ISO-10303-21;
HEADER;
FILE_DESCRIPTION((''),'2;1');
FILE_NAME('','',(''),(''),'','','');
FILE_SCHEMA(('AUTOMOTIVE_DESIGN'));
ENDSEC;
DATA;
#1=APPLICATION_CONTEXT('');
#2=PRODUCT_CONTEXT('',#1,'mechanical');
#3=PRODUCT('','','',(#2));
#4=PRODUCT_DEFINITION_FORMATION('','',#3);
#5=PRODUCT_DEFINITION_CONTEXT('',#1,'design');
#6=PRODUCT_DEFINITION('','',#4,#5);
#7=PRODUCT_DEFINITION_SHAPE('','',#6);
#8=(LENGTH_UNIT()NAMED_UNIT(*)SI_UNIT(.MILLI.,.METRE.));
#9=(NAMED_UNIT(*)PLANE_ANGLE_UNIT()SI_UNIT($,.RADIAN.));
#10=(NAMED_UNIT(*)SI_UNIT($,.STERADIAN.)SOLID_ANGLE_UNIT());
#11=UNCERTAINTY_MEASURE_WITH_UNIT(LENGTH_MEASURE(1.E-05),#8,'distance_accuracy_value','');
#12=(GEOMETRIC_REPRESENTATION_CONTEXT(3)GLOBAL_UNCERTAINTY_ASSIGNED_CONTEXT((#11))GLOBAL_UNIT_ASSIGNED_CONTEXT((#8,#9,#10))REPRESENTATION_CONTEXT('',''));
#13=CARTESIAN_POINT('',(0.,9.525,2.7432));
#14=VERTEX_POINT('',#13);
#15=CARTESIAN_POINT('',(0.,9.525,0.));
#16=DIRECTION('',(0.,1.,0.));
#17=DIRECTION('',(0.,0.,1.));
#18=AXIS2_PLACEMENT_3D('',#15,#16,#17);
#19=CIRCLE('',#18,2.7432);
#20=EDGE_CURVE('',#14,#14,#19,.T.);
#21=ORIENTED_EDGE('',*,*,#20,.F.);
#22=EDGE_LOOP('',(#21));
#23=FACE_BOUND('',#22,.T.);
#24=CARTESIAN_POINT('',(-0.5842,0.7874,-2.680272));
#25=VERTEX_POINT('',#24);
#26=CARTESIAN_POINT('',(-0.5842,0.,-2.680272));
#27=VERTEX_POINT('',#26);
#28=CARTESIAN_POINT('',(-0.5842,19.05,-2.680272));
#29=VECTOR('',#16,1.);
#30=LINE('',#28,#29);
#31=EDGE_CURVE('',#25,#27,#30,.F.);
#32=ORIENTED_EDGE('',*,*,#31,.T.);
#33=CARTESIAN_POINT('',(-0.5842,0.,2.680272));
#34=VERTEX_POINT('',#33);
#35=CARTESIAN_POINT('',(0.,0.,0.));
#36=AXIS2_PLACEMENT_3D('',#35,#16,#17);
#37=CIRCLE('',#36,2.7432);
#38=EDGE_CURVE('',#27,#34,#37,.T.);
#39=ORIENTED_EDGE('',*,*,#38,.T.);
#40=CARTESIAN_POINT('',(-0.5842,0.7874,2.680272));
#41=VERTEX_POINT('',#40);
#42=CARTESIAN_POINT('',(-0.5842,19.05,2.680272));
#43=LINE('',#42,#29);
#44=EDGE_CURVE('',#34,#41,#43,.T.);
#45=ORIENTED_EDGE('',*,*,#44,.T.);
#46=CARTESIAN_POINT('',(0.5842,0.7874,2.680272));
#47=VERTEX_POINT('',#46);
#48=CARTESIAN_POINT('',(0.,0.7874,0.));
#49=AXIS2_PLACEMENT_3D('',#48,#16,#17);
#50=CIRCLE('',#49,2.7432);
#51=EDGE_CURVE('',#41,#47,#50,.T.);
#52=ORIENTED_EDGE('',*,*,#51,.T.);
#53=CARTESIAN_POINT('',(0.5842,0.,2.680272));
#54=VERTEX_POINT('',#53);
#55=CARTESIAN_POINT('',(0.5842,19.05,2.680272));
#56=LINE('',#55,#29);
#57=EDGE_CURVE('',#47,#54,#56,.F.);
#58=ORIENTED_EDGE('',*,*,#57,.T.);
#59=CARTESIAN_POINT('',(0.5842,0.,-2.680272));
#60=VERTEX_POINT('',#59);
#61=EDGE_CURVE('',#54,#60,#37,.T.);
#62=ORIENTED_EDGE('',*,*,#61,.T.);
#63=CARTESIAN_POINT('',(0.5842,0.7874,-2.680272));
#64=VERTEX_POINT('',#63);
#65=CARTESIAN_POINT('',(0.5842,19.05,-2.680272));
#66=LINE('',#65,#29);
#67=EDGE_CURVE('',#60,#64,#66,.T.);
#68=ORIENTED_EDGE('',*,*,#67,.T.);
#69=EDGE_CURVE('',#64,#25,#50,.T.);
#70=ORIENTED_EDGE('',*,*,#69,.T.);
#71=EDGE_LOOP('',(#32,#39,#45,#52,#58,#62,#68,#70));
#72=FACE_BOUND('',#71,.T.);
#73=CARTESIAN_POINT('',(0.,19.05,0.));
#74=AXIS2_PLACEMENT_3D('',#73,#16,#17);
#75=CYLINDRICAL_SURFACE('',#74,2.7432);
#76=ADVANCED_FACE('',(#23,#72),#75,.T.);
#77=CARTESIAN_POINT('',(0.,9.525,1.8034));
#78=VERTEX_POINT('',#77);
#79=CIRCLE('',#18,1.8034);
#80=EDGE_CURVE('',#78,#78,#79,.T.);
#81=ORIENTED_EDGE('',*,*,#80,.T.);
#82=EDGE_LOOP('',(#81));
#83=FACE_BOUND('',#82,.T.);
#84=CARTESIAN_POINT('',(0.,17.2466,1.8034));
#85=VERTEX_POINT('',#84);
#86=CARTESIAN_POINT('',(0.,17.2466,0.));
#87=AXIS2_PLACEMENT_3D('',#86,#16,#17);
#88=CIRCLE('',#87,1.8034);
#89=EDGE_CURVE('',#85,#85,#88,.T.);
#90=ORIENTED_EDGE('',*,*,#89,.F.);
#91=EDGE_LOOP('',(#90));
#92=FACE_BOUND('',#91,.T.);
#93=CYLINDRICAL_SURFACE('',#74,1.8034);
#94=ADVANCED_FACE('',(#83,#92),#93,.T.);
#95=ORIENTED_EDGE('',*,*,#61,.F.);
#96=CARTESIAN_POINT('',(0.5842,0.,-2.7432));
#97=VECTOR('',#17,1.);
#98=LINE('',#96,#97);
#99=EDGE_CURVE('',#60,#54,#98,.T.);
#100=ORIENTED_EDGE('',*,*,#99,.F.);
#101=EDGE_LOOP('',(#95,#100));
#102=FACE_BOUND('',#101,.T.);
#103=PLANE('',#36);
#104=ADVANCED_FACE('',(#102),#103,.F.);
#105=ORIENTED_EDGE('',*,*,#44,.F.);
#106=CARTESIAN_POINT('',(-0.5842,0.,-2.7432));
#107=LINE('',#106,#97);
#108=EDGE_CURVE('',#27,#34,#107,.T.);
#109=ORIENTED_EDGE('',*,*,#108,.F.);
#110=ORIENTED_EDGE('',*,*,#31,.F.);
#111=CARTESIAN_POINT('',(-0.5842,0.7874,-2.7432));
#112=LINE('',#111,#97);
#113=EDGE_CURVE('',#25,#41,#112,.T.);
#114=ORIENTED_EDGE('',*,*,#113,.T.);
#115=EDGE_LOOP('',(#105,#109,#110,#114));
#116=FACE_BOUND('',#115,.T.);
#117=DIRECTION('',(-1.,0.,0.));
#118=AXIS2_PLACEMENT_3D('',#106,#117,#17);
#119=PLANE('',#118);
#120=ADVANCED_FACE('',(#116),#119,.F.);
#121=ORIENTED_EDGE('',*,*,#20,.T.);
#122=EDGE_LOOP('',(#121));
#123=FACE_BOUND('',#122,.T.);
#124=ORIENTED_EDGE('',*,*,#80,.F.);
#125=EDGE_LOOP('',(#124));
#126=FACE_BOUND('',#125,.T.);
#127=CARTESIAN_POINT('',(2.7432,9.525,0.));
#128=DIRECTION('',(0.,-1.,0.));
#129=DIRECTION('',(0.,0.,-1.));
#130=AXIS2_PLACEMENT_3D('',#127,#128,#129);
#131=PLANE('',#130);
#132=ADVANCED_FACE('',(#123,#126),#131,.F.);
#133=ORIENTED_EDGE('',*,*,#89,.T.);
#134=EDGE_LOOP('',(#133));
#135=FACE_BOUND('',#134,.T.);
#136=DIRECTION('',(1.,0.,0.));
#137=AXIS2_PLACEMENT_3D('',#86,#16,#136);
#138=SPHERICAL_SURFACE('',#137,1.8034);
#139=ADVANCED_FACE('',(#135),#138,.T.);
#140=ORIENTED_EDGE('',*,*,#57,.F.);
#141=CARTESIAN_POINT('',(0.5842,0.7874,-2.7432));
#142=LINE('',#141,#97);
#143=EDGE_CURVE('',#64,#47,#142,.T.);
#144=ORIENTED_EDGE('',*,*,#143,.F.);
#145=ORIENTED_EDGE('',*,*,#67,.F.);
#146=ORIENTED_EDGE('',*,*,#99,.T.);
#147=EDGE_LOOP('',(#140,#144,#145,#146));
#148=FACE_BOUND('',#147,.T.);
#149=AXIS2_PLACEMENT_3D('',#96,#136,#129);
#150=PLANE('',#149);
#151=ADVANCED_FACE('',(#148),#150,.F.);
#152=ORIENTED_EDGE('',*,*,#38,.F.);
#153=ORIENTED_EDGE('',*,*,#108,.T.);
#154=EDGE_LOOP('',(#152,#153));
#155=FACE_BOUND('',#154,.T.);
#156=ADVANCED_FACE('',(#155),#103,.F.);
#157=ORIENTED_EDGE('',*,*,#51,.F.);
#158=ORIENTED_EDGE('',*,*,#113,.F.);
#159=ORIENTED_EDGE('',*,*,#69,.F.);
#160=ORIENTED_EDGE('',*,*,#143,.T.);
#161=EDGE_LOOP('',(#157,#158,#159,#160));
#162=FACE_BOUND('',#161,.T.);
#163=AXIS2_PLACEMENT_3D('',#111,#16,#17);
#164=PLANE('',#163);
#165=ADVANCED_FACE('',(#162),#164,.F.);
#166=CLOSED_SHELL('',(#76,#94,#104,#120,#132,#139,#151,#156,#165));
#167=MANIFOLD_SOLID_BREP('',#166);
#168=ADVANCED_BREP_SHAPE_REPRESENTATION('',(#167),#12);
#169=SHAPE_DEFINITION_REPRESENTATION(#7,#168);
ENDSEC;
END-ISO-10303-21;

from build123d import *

# Parameters (mm, degrees)
CUT_EXTRUDE1_DEPTH      = 20.441008011
CUT_EXTRUDE1_DEPTH_BACK = 20.441008011
SKETCH2_W               = 1.1684
SKETCH2_H               = 0.7874


with BuildPart() as part:
    # Sketch1 → Revolve1 (revolve)
    with BuildSketch(Plane.XY, mode=Mode.PRIVATE) as revolve1_sk:
        with BuildLine():
            Line((0, 19.05), (0, 0))
            Line((0, 0), (2.7432, 0))
            Line((2.7432, 0), (2.7432, 9.525))
            Line((2.7432, 9.525), (1.8034, 9.525))
            Line((1.8034, 9.525), (1.8034, 17.2466))
            ThreePointArc((1.8034, 17.2466), (1.275196369, 18.521796369), (0, 19.05))
        make_face()
    revolve(revolve1_sk.sketch.rotate(Axis((0, 19.05, 0), (0, -1, 0)), 90), axis=Axis((0, 19.05, 0), (0, -1, 0)))

    # Sketch2 → Cut-Extrude1 (cut, two sides: drawn at the far end of the back side and taken through both)
    with BuildSketch(Plane.XY.offset(-CUT_EXTRUDE1_DEPTH_BACK)):
        with Locations((0, 0.3937)):
            Rectangle(SKETCH2_W, SKETCH2_H)
    extrude(amount=CUT_EXTRUDE1_DEPTH + CUT_EXTRUDE1_DEPTH_BACK, mode=Mode.SUBTRACT)


solid = part.part
